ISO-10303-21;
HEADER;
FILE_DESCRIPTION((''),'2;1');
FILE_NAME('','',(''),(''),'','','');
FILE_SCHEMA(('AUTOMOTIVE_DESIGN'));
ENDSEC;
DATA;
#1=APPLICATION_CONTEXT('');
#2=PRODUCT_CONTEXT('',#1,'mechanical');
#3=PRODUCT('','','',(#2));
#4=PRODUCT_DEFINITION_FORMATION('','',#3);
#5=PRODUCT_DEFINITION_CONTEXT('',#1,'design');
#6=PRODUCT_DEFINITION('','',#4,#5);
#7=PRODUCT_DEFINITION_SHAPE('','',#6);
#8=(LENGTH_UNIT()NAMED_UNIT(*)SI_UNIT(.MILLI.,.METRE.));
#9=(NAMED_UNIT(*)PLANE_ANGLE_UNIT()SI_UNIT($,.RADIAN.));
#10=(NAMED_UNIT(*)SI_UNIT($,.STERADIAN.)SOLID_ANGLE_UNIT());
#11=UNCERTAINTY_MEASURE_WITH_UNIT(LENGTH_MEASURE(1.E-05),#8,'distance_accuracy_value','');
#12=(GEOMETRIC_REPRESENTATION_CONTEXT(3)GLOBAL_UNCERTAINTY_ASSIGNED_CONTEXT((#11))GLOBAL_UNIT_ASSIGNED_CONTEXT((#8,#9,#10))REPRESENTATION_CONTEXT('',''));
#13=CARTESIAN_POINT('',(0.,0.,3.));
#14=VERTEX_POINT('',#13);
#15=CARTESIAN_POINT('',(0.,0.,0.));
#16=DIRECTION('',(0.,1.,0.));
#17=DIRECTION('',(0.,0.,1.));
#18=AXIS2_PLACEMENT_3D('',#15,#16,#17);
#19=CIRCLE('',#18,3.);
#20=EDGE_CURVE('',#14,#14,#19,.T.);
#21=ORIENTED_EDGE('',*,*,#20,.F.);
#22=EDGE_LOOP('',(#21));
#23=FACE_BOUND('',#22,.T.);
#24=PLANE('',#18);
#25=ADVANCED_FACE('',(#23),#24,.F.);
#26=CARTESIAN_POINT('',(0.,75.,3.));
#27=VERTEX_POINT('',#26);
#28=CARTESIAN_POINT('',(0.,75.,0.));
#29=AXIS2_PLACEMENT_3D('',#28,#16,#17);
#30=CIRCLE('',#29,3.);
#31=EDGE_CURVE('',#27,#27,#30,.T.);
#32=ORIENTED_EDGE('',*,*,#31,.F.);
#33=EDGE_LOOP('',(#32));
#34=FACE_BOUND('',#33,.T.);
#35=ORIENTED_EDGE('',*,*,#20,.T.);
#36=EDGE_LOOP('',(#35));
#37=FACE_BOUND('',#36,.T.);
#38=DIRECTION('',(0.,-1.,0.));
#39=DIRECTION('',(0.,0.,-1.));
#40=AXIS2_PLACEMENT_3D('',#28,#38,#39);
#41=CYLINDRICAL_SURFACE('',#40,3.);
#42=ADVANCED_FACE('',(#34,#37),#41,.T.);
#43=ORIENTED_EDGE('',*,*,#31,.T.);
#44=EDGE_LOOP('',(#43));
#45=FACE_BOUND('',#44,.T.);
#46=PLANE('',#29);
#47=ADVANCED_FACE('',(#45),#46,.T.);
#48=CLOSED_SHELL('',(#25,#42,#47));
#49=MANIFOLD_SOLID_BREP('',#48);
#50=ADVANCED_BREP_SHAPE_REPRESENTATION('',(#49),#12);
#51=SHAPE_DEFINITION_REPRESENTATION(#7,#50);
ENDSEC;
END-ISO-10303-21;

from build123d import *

# Parameters (mm, degrees)
ESQUISSE1_R        = 3
BOSS_EXTRU_1_DEPTH = 75


with BuildPart() as part:
    # Esquisse1 → Boss.-Extru.1 (new body)
    with BuildSketch(Plane(origin=(0, 0, 0), x_dir=(1, 0, 0), z_dir=(0, 1, 0))):
        Circle(ESQUISSE1_R)
    extrude(amount=BOSS_EXTRU_1_DEPTH)


solid = part.part
